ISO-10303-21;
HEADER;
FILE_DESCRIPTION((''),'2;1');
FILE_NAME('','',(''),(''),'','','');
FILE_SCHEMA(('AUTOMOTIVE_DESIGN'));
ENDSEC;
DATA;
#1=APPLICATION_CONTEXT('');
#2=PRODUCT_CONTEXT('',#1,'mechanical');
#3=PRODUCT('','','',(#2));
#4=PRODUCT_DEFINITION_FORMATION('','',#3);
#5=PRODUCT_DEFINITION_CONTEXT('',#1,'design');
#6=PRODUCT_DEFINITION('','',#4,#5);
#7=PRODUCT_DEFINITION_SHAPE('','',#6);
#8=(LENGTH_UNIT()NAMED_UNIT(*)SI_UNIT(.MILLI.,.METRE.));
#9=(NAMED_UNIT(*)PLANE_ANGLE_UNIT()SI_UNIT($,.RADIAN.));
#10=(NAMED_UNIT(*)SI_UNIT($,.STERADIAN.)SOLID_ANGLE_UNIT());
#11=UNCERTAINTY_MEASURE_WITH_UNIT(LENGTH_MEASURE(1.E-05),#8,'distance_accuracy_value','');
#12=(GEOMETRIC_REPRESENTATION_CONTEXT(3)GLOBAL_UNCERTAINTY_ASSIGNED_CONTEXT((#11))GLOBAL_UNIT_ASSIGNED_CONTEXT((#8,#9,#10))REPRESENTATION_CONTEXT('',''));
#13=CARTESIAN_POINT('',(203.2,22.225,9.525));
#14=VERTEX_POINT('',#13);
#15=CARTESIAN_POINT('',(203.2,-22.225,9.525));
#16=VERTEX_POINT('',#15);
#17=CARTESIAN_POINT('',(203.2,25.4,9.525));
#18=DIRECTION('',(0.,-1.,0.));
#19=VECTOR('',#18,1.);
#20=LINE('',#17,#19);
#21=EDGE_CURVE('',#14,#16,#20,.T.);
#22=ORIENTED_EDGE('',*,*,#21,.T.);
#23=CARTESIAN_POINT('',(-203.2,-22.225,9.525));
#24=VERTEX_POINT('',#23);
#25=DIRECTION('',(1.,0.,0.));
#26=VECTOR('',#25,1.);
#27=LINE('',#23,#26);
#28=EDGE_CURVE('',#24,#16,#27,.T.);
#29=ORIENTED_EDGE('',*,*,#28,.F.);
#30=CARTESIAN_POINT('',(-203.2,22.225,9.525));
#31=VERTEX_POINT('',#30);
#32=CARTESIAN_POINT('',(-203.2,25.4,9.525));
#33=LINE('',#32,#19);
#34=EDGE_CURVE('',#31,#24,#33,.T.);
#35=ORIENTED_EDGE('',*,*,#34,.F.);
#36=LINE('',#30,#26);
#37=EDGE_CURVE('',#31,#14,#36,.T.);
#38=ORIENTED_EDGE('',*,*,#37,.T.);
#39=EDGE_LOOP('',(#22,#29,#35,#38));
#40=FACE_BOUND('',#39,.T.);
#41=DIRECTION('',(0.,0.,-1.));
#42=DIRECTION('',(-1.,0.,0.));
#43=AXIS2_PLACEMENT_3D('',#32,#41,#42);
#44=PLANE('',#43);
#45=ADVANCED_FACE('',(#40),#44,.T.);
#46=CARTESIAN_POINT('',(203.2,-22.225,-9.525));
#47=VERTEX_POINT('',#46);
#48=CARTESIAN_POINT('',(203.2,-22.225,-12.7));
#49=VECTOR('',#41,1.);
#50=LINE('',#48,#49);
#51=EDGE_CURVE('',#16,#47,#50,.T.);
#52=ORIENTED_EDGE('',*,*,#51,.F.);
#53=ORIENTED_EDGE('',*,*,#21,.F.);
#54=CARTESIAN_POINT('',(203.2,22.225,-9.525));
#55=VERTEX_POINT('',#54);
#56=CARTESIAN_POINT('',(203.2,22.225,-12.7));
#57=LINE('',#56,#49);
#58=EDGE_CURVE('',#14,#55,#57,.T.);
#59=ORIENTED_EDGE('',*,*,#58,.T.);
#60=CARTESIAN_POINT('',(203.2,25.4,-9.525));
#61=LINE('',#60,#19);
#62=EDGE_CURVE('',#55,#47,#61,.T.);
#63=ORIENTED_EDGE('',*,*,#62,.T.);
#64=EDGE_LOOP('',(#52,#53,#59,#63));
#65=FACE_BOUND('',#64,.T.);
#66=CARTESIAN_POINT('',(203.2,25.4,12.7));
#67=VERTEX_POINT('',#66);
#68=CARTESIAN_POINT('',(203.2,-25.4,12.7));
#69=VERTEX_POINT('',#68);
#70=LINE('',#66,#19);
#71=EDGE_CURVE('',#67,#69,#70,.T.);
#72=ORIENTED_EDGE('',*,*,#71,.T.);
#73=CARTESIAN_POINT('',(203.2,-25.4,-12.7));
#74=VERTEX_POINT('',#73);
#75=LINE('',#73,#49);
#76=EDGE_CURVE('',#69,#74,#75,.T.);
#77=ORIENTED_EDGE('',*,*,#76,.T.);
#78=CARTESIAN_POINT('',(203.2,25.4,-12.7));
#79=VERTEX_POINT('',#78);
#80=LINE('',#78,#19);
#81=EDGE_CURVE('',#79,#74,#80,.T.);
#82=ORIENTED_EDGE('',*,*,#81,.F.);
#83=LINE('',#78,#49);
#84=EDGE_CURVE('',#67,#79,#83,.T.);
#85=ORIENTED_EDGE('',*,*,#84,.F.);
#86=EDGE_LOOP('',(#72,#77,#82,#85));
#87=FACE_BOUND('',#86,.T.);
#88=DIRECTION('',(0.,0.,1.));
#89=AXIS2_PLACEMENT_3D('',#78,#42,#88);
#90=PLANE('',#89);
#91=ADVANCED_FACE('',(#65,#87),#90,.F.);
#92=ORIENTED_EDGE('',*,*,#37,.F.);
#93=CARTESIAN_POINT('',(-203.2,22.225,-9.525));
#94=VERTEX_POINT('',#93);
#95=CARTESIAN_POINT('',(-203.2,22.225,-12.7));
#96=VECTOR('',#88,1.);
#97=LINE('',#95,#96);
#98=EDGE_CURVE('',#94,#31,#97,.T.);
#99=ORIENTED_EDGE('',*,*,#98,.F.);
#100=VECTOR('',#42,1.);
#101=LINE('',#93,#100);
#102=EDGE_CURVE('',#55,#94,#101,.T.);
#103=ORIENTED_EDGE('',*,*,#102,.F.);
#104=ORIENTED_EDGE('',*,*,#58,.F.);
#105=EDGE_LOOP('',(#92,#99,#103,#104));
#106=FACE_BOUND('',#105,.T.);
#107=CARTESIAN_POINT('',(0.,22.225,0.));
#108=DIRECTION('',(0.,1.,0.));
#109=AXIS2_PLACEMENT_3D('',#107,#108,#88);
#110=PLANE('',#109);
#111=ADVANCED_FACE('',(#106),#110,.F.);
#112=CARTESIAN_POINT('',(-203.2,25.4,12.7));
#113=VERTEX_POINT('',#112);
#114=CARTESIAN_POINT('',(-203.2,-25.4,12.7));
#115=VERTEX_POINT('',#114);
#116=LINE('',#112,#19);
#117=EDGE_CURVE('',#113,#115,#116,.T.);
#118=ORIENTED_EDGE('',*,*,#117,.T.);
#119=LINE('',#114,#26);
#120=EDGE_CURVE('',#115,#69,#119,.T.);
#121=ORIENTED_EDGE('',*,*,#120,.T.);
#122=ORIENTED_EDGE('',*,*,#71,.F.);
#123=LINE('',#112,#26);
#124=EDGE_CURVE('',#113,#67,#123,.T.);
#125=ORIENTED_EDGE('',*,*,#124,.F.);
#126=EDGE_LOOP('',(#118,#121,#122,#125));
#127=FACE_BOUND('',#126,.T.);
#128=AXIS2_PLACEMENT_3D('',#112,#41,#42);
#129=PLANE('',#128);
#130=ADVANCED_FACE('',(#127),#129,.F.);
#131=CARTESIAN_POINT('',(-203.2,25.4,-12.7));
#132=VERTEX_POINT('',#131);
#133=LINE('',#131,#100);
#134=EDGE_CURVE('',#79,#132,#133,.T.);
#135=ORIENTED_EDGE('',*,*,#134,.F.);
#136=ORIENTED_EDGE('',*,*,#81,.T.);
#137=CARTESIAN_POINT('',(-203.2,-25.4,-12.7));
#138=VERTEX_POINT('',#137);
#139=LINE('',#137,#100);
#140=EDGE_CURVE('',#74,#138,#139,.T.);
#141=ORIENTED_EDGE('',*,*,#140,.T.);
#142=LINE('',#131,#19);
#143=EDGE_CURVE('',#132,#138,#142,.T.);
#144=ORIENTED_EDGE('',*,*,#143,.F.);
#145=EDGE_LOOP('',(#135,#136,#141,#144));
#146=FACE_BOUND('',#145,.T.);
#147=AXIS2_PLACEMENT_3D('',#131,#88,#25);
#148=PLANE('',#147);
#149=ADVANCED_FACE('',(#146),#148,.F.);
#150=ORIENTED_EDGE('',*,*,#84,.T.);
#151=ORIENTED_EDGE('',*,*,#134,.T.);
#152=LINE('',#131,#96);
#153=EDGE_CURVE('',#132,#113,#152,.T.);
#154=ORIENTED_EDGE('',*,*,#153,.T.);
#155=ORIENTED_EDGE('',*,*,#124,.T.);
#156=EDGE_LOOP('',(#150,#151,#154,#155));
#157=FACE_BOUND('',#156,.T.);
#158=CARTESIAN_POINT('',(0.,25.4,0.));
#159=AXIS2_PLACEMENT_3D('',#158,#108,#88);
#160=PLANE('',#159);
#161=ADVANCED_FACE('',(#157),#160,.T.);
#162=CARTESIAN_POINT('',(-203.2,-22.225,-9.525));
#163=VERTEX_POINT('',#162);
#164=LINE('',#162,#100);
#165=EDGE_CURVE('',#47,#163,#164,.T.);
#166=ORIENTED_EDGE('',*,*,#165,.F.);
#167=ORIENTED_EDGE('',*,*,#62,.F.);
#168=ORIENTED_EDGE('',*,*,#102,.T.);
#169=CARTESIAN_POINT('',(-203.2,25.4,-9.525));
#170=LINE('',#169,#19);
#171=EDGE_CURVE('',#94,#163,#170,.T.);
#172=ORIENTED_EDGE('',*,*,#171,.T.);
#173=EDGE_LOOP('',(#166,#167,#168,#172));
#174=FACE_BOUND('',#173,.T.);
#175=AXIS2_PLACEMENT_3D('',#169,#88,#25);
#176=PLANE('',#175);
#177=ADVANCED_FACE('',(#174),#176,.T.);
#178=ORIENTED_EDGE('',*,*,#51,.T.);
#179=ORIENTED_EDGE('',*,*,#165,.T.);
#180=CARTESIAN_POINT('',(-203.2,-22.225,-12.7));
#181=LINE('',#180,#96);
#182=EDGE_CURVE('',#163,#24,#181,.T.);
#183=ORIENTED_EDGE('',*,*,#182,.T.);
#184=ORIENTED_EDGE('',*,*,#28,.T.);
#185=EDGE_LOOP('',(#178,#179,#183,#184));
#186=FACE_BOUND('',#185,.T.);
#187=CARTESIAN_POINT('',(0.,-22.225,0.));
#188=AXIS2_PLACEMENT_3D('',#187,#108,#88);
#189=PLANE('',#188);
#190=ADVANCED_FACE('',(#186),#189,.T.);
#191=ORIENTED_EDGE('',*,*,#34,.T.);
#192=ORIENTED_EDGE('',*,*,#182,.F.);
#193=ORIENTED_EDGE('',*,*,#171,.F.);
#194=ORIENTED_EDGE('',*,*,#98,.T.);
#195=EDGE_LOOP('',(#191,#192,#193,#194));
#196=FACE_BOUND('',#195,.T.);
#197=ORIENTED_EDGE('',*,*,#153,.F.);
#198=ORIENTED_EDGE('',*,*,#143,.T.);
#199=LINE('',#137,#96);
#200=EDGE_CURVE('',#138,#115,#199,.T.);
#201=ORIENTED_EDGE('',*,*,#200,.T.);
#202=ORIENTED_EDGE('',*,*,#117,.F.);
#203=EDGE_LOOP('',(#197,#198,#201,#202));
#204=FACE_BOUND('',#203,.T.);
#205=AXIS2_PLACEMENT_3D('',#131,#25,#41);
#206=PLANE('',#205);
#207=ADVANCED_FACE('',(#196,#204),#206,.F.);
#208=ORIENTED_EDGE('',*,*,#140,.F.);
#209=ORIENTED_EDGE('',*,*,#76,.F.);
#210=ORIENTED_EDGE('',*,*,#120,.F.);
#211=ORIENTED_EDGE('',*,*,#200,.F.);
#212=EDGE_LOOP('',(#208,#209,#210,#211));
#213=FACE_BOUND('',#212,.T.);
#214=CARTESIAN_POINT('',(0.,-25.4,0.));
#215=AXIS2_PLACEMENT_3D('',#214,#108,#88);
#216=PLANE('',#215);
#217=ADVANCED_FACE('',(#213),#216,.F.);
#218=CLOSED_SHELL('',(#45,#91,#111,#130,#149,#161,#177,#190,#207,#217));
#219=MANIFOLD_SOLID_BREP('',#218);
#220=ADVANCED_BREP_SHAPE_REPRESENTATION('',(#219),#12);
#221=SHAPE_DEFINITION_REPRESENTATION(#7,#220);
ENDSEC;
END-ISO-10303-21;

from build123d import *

# Parameters (mm, degrees)
SKETCH1_W           = 406.4
SKETCH1_H           = 25.4
BOSS_EXTRUDE1_DEPTH = 25.4
SHELL1_T            = -3.175


with BuildPart() as part:
    # Sketch1 → Boss-Extrude1 (new body, symmetric)
    with BuildSketch(Plane(origin=(0, 0, 0), x_dir=(1, 0, 0), z_dir=(0, 1, 0))):
        Rectangle(SKETCH1_W, SKETCH1_H)
    extrude(amount=BOSS_EXTRUDE1_DEPTH, both=True)

    # Shell1
    shell1_openings = [part.faces().sort_by_distance(p)[0] for p in [
        (-203.2, 0, 0),
        (203.2, 0, 0),
    ]]
    offset(amount=SHELL1_T, openings=shell1_openings, kind=Kind.INTERSECTION)


solid = part.part
